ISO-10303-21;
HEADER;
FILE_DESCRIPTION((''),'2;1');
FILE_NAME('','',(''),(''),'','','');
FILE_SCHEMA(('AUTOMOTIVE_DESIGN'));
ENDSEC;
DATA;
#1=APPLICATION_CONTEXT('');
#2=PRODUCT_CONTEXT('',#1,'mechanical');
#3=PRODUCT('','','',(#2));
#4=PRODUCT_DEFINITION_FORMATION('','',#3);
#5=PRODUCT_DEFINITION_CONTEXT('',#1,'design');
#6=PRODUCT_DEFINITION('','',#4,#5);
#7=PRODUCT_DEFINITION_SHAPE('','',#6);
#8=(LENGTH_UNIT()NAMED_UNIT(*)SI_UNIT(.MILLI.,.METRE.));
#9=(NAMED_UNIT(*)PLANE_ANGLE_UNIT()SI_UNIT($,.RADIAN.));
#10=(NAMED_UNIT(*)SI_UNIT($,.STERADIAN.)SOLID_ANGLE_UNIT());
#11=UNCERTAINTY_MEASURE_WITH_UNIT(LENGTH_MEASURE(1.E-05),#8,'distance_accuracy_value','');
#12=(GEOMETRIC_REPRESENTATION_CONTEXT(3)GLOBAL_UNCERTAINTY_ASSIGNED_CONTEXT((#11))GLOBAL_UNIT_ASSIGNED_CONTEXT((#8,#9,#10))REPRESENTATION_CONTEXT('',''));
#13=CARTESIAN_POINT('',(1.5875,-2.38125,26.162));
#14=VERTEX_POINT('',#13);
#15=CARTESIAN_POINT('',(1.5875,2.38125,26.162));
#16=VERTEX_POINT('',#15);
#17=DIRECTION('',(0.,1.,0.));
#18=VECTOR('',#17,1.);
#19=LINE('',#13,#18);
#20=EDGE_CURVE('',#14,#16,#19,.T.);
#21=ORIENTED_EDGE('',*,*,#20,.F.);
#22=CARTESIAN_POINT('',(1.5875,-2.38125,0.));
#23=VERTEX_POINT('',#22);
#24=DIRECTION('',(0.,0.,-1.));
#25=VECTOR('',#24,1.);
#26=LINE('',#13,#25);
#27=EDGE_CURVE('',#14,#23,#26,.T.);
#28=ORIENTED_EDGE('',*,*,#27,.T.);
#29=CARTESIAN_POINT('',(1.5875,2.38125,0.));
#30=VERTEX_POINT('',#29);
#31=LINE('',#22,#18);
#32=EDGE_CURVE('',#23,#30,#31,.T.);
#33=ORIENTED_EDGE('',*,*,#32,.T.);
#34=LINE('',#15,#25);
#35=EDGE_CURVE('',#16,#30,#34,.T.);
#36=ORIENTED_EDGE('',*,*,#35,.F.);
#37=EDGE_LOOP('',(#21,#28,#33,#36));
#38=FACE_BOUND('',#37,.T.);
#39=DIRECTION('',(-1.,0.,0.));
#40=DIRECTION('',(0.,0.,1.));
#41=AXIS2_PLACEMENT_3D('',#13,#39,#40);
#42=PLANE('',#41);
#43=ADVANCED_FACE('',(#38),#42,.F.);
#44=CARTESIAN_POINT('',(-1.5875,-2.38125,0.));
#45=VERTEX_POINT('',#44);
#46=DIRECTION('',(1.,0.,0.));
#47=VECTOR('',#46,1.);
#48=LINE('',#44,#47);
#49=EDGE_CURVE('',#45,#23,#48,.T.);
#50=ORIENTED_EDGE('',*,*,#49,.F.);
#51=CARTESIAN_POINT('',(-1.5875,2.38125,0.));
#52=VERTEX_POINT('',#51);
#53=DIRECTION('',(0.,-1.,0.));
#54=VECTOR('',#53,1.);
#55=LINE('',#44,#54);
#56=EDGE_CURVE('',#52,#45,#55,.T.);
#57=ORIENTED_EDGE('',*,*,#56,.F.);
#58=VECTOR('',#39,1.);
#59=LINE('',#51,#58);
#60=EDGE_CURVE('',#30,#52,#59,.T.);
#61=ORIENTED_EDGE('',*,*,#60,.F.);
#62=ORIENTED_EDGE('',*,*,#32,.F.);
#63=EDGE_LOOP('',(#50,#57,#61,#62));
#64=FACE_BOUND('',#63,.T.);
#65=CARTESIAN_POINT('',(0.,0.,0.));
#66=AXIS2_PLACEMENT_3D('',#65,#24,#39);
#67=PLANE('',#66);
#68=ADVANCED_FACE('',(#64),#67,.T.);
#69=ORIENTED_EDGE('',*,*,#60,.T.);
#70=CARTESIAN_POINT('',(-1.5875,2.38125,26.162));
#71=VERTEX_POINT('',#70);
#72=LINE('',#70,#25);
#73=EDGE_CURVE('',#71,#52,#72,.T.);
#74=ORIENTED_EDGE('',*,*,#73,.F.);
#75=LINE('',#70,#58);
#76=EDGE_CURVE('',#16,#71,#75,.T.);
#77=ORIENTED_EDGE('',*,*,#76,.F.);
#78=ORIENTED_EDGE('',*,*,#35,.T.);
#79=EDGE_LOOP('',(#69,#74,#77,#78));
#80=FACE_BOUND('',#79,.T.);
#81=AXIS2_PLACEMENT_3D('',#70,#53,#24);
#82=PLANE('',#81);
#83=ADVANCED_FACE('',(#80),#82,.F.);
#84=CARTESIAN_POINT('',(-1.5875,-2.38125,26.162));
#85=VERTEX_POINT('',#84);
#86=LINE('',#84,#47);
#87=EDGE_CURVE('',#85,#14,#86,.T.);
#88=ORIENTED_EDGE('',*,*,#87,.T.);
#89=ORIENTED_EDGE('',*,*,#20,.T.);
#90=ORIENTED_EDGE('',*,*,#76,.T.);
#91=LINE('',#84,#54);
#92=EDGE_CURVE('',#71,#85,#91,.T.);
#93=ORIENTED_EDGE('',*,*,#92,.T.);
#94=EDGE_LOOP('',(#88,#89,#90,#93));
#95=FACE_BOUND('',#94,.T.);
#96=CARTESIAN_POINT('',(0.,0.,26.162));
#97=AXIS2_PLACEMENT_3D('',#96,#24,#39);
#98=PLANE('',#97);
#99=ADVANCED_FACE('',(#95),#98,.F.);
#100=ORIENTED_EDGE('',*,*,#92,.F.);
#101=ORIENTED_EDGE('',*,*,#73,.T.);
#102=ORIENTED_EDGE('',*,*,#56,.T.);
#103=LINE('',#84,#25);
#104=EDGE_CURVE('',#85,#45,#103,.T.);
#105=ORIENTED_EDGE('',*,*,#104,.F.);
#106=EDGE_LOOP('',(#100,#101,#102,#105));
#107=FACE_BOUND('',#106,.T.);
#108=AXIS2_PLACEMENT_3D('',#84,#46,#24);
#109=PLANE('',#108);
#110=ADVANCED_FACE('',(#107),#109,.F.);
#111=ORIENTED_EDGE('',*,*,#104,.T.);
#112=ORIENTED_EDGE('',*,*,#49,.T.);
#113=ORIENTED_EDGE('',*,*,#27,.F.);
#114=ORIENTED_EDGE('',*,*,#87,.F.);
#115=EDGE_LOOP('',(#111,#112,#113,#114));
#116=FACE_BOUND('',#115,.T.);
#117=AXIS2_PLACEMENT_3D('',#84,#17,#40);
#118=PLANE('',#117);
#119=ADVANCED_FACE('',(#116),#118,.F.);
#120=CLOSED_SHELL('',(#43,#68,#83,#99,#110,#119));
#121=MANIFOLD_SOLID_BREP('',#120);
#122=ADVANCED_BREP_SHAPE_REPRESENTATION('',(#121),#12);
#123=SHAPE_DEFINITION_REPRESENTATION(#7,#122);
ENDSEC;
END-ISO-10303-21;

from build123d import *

# Parameters (mm, degrees)
SKETCH1_W           = 3.175
SKETCH1_H           = 4.7625
BOSS_EXTRUDE1_DEPTH = 26.162


with BuildPart() as part:
    # Sketch1 → Boss-Extrude1 (new body)
    with BuildSketch(Plane.XY):
        Rectangle(SKETCH1_W, SKETCH1_H)
    extrude(amount=BOSS_EXTRUDE1_DEPTH)


solid = part.part
